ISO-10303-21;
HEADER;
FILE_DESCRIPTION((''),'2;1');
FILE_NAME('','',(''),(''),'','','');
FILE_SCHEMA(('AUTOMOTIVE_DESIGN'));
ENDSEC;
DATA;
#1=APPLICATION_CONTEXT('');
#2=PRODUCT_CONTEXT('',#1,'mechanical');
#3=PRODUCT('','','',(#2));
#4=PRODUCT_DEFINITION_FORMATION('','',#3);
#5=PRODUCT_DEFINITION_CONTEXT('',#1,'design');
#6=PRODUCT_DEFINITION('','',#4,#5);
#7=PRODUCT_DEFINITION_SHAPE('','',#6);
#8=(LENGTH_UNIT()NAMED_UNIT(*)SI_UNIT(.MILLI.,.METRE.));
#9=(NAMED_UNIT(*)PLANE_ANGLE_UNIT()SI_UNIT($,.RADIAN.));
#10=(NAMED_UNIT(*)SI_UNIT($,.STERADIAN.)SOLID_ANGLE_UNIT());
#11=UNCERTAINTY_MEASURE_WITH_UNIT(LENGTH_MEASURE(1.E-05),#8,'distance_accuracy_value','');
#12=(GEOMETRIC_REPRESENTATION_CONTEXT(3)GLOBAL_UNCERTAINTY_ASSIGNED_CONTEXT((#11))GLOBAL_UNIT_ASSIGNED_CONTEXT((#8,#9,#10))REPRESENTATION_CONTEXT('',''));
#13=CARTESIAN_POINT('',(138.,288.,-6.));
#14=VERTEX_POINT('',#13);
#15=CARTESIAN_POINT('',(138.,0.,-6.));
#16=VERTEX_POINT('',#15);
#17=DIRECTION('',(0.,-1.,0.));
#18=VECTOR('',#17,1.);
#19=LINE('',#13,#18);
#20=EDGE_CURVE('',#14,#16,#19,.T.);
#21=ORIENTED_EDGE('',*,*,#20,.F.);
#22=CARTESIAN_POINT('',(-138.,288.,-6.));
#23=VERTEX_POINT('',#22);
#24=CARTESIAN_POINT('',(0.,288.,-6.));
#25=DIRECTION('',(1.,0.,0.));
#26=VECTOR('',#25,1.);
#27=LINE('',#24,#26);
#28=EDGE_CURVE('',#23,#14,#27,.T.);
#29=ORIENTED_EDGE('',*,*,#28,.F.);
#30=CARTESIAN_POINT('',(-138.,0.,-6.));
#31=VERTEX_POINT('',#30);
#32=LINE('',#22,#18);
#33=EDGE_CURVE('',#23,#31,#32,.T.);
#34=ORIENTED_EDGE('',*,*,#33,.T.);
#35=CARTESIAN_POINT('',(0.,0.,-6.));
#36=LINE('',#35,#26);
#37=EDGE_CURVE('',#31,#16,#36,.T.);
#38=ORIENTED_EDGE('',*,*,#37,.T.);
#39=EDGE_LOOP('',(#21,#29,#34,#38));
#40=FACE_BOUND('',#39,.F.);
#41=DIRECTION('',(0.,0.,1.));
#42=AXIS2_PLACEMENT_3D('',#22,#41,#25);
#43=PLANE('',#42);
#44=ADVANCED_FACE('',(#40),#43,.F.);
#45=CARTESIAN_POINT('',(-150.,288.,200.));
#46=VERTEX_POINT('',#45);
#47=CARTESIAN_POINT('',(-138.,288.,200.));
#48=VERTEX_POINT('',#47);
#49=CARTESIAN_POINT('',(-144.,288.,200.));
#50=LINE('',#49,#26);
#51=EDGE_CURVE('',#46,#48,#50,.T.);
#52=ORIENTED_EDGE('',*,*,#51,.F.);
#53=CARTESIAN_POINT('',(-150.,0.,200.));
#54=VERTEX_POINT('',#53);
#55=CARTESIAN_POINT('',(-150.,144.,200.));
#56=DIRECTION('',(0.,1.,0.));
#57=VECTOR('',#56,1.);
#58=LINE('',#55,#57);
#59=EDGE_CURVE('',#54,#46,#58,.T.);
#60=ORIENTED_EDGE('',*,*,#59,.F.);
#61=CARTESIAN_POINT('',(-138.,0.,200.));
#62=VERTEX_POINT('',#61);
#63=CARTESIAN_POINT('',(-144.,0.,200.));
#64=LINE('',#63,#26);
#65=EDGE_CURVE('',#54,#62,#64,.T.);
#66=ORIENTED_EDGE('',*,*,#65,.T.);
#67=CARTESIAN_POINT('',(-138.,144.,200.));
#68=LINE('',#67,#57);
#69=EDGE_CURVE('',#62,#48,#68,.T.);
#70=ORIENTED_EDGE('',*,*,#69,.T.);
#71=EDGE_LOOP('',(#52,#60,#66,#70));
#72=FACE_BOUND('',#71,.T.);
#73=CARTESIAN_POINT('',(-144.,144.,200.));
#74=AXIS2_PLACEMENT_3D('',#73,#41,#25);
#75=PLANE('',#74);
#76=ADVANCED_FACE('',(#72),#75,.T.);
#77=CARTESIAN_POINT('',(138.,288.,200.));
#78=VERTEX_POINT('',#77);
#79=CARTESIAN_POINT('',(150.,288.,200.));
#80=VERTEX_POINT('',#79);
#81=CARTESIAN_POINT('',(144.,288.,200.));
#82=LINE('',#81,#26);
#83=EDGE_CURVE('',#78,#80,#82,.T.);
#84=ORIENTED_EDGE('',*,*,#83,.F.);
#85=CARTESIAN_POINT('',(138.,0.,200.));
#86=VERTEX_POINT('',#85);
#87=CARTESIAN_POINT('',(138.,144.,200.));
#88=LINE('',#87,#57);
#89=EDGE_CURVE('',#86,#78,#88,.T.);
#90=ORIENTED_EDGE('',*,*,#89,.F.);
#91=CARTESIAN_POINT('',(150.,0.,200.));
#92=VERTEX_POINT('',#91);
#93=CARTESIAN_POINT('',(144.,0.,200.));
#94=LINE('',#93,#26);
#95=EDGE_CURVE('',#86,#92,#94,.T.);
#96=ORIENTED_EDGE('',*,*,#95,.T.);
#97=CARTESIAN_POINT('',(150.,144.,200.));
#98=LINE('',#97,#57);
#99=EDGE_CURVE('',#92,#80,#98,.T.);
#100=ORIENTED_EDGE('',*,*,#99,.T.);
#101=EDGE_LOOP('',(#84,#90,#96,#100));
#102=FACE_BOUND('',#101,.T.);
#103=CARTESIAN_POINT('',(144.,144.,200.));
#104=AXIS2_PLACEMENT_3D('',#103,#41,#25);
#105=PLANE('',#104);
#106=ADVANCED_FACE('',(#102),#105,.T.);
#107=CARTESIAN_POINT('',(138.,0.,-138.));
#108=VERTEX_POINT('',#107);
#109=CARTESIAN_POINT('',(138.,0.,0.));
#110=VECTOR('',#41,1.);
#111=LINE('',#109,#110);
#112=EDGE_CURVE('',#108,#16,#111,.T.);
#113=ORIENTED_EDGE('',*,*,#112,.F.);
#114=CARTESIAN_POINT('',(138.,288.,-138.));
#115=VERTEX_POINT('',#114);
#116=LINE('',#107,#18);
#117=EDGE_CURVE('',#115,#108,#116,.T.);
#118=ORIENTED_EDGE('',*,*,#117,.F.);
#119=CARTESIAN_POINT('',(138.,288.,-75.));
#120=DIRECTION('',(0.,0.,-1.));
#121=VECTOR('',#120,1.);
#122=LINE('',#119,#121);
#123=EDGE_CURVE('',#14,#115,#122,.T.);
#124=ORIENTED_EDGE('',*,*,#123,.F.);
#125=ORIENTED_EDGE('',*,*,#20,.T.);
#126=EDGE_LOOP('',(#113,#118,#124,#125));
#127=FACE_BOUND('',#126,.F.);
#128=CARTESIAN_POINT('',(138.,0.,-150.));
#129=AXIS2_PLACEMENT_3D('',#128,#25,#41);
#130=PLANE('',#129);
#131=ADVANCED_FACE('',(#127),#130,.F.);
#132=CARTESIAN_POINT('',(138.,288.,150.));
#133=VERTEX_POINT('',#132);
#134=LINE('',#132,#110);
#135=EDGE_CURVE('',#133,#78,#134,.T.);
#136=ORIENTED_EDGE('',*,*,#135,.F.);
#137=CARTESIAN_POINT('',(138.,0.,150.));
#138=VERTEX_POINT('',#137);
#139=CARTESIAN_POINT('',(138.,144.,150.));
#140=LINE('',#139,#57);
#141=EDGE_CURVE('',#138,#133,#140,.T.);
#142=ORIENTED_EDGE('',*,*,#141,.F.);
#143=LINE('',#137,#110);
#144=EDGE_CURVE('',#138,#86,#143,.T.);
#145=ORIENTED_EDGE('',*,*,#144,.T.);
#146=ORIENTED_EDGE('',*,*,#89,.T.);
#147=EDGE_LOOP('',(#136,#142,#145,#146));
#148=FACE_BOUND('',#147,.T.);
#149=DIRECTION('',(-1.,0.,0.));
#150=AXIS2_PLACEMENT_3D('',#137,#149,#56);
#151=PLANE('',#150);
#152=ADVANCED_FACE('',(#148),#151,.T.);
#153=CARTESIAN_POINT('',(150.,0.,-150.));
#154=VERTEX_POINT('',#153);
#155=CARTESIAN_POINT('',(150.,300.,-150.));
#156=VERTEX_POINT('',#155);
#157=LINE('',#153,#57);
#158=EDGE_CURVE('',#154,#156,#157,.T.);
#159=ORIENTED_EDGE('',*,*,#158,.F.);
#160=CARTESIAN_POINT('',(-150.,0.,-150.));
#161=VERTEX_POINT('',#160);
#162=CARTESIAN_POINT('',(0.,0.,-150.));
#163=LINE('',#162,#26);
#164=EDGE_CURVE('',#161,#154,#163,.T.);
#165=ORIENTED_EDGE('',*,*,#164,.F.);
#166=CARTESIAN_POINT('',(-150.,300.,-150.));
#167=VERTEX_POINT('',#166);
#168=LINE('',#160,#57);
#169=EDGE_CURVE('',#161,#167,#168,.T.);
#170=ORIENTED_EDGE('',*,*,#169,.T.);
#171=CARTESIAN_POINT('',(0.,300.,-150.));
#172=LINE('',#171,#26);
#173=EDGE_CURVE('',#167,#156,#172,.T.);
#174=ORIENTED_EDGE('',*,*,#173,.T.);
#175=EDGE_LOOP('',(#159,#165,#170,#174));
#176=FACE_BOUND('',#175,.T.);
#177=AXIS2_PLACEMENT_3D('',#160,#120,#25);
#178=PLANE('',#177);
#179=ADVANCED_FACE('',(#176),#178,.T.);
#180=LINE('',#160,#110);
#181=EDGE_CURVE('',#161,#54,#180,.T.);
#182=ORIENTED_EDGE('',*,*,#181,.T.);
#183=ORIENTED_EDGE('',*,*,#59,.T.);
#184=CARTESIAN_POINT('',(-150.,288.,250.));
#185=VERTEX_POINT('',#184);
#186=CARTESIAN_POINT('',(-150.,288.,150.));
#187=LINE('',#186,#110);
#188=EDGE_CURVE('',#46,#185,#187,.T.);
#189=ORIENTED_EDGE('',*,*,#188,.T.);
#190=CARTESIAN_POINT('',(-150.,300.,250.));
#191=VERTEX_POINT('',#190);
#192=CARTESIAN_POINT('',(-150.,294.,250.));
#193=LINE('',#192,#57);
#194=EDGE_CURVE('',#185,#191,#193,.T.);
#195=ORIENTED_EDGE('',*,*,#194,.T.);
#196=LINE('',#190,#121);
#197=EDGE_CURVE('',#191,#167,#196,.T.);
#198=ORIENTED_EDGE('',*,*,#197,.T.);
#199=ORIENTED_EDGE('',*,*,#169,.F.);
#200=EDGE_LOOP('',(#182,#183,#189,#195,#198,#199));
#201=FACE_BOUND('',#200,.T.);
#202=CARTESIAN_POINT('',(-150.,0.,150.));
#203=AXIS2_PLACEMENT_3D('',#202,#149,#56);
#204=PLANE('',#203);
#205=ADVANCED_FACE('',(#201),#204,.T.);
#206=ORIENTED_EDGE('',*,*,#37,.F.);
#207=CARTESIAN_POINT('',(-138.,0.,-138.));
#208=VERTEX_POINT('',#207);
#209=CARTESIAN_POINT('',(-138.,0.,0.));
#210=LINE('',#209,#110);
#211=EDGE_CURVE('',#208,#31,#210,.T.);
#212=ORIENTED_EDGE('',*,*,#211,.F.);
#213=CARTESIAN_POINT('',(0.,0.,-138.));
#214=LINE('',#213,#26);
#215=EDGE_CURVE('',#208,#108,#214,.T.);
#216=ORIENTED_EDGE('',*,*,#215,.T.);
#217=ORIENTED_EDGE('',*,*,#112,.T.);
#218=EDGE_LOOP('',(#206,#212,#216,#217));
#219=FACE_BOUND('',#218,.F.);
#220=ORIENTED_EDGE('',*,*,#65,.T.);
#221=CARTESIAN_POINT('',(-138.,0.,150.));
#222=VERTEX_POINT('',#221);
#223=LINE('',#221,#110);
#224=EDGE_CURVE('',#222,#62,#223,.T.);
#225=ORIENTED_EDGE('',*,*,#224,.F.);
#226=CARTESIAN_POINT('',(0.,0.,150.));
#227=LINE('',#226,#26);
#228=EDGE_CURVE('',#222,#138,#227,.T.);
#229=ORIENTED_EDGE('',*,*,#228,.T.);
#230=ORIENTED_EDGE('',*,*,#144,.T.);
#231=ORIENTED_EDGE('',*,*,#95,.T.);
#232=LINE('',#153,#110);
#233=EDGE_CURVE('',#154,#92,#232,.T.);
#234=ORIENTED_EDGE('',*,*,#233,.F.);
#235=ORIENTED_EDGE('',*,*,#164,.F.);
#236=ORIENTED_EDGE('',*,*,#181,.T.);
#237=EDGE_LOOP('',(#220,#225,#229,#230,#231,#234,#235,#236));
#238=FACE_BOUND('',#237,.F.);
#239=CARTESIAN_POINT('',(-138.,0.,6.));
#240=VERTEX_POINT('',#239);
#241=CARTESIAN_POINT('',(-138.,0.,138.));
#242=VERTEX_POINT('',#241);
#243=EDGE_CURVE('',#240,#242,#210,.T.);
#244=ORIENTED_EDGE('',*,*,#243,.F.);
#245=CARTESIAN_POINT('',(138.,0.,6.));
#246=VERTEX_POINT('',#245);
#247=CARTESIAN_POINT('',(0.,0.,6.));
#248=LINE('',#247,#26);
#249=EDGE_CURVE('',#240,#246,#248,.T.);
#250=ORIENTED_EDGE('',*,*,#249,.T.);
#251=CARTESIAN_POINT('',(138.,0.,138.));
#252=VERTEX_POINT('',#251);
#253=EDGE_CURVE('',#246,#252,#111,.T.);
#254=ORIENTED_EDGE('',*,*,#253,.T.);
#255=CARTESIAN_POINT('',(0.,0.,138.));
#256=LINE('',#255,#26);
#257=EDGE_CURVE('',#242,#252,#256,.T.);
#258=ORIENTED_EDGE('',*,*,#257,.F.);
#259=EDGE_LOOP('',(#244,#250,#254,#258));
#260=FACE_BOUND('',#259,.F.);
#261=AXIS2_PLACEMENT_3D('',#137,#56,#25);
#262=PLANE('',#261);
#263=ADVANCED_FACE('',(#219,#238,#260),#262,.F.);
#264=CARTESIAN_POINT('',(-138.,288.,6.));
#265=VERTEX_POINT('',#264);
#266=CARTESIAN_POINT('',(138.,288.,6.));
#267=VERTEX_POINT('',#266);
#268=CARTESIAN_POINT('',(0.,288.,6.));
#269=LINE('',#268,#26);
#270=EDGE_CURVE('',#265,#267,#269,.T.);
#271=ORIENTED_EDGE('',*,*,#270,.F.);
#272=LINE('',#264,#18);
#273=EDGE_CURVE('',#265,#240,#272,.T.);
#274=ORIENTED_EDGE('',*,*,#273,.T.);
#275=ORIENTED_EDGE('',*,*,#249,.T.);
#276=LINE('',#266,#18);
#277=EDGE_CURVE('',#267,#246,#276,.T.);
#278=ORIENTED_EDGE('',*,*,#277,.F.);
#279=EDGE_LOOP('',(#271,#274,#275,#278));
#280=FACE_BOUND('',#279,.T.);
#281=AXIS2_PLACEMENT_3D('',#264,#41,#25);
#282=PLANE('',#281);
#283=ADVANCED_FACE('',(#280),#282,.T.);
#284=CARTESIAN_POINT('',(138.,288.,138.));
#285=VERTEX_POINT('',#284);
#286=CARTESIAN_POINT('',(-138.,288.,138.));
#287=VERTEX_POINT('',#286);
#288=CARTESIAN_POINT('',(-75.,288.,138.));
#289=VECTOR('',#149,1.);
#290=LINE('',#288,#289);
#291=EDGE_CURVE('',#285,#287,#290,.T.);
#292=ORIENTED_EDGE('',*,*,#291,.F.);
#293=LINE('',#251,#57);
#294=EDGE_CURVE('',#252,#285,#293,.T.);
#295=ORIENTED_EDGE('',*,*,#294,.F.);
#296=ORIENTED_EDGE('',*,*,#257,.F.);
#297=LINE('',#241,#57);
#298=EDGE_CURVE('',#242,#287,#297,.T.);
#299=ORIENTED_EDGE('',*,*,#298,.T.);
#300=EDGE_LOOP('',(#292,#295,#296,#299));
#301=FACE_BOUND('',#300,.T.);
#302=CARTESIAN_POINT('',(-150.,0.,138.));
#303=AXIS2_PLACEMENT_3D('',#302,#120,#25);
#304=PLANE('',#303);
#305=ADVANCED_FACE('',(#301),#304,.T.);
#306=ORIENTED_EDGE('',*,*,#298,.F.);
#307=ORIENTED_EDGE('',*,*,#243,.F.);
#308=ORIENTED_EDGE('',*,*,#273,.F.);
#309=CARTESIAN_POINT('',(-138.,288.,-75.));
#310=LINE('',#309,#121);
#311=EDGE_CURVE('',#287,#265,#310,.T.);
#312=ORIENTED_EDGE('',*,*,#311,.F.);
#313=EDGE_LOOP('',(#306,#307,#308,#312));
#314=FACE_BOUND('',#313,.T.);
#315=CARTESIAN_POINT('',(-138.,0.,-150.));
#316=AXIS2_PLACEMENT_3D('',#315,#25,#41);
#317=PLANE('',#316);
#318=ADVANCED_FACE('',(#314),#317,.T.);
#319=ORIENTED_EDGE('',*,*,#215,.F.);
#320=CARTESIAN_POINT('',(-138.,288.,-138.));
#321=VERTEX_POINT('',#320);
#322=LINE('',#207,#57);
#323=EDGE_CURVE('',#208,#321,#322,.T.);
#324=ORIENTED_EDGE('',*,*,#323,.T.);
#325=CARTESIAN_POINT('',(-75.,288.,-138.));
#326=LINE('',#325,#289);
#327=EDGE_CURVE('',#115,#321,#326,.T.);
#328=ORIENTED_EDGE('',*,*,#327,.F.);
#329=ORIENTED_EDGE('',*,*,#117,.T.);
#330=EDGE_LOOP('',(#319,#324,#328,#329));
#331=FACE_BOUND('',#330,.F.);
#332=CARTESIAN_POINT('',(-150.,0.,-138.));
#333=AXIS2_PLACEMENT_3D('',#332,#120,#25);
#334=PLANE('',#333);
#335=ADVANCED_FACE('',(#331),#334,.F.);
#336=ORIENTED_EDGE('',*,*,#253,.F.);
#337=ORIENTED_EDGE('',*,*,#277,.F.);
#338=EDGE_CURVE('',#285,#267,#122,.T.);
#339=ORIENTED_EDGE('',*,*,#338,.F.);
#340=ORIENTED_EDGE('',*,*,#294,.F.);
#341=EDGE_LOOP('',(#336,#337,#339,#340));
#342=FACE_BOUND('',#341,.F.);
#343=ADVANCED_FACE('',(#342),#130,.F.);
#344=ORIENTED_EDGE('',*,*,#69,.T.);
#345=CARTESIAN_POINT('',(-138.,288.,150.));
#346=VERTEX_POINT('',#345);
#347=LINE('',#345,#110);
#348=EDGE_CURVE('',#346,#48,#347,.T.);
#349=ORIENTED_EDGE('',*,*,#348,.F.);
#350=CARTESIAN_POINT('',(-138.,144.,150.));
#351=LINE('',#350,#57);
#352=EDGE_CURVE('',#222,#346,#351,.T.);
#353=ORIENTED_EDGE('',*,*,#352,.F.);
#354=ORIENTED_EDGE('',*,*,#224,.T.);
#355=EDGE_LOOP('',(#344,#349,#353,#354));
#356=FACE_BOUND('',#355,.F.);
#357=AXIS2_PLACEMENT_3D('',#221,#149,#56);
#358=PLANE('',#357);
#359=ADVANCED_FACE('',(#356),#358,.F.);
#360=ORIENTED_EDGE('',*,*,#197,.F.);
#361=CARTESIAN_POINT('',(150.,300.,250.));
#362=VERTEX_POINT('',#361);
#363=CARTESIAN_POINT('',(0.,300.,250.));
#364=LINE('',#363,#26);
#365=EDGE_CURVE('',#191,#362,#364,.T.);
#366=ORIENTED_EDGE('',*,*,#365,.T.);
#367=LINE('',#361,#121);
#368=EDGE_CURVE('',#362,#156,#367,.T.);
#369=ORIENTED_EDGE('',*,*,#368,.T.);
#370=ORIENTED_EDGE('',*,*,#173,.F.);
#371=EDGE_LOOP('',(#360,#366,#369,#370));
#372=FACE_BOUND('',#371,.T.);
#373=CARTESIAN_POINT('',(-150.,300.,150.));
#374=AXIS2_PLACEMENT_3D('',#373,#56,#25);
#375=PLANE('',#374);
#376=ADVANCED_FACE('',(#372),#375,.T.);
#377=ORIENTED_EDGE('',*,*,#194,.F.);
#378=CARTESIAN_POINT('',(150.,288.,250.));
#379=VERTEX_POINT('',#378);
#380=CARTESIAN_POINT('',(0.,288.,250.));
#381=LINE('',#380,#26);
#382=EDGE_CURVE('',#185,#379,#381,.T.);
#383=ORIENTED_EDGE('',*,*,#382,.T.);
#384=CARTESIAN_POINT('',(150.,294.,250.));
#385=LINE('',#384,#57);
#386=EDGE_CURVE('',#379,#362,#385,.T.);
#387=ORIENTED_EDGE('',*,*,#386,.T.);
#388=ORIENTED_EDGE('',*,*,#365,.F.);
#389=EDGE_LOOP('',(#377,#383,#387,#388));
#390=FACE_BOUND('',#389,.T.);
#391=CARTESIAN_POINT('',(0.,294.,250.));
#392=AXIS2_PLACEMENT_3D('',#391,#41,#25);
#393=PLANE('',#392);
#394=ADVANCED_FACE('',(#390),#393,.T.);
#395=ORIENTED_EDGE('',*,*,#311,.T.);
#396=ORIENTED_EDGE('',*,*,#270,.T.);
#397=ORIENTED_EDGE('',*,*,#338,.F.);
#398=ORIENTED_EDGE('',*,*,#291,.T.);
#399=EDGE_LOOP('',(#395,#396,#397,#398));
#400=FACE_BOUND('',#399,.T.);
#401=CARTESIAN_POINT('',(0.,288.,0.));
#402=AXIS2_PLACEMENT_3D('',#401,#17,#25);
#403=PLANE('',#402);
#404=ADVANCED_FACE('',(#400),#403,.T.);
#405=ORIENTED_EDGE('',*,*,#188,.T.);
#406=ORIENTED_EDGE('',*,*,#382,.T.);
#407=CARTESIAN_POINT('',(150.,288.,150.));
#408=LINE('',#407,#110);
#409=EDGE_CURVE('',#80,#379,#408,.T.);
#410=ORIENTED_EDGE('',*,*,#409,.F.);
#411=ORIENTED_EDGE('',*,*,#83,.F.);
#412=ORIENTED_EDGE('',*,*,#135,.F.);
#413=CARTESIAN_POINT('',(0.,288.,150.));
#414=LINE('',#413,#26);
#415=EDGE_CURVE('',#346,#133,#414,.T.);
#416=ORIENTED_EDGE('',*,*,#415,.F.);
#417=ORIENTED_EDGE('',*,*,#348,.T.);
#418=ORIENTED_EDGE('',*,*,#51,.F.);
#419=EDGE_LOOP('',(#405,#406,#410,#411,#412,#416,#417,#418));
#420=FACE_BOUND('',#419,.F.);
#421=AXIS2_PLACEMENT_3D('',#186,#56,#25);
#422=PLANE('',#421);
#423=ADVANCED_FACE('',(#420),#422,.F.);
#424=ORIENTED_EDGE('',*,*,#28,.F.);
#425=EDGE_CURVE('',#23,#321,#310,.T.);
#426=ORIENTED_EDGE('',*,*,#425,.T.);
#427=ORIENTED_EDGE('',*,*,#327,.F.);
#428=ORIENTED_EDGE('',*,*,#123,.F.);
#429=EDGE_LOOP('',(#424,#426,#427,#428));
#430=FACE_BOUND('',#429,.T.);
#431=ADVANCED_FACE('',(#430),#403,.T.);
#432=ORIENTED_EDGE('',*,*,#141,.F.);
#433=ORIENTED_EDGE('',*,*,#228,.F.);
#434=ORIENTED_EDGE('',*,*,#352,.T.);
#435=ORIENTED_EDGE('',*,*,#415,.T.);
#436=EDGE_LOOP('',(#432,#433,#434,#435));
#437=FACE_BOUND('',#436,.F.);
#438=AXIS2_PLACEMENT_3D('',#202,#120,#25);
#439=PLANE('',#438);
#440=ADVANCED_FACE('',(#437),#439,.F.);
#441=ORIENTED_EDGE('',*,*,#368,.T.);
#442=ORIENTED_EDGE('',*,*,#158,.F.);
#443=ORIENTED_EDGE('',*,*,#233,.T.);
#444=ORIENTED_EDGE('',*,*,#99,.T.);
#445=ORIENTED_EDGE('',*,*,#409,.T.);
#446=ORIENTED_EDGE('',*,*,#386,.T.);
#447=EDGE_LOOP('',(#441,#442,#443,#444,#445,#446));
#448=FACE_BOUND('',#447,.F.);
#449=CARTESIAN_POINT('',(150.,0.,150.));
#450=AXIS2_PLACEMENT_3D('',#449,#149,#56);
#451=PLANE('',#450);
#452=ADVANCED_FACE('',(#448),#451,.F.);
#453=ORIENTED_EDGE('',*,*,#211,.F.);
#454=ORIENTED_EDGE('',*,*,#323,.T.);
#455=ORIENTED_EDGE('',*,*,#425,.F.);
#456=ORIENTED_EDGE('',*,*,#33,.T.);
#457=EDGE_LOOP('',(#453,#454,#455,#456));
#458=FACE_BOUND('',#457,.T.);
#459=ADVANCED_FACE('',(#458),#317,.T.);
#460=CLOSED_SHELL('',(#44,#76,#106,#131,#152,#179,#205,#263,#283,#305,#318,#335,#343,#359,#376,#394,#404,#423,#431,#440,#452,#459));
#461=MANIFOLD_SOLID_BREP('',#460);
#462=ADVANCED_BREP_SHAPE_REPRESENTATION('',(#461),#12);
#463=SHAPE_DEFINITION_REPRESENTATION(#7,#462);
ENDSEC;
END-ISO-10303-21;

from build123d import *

# Parameters (mm, degrees)
F0_W      = 300
F0_H      = 300
F1_DEPTH  = 300
F2_T      = -12
F3_W      = 276
F3_H      = 12
F4_DEPTH  = 288
F5_W      = 300
F5_H      = 12
F6_DEPTH  = 100
F7_W      = 12
F7_H      = 288
F8_DEPTH  = 50
F9_W      = 12
F9_H      = 288
F10_DEPTH = 50


with BuildPart() as f1:
    # F0 (on Front) → F1 (new body)
    with BuildSketch(Plane.XZ):
        Rectangle(F0_W, F0_H)
    extrude(amount=-F1_DEPTH)

    # F2
    f2_openings = [f1.faces().sort_by_distance(p)[0] for p in [
        (0, 0, 0),
    ]]
    offset(amount=F2_T, openings=f2_openings)

    # F3 (on face) → F4 (join)
    with BuildSketch(Plane.XZ.offset(-288)):
        Rectangle(F3_W, F3_H)
    extrude(amount=F4_DEPTH)

    # F5 (on face) → F6 (join)
    with BuildSketch(Plane.XY.offset(150)):
        with Locations((0, 294)):
            Rectangle(F5_W, F5_H)
    extrude(amount=F6_DEPTH)

    # F7 (on face) → F8 (join)
    with BuildSketch(Plane.XY.offset(150)):
        with Locations((-144, 144)):
            Rectangle(F7_W, F7_H)
    extrude(amount=F8_DEPTH)

    # F9 (on face) → F10 (join)
    with BuildSketch(Plane.XY.offset(150)):
        with Locations((144, 144)):
            Rectangle(F9_W, F9_H)
    extrude(amount=F10_DEPTH)


solid = f1.part
